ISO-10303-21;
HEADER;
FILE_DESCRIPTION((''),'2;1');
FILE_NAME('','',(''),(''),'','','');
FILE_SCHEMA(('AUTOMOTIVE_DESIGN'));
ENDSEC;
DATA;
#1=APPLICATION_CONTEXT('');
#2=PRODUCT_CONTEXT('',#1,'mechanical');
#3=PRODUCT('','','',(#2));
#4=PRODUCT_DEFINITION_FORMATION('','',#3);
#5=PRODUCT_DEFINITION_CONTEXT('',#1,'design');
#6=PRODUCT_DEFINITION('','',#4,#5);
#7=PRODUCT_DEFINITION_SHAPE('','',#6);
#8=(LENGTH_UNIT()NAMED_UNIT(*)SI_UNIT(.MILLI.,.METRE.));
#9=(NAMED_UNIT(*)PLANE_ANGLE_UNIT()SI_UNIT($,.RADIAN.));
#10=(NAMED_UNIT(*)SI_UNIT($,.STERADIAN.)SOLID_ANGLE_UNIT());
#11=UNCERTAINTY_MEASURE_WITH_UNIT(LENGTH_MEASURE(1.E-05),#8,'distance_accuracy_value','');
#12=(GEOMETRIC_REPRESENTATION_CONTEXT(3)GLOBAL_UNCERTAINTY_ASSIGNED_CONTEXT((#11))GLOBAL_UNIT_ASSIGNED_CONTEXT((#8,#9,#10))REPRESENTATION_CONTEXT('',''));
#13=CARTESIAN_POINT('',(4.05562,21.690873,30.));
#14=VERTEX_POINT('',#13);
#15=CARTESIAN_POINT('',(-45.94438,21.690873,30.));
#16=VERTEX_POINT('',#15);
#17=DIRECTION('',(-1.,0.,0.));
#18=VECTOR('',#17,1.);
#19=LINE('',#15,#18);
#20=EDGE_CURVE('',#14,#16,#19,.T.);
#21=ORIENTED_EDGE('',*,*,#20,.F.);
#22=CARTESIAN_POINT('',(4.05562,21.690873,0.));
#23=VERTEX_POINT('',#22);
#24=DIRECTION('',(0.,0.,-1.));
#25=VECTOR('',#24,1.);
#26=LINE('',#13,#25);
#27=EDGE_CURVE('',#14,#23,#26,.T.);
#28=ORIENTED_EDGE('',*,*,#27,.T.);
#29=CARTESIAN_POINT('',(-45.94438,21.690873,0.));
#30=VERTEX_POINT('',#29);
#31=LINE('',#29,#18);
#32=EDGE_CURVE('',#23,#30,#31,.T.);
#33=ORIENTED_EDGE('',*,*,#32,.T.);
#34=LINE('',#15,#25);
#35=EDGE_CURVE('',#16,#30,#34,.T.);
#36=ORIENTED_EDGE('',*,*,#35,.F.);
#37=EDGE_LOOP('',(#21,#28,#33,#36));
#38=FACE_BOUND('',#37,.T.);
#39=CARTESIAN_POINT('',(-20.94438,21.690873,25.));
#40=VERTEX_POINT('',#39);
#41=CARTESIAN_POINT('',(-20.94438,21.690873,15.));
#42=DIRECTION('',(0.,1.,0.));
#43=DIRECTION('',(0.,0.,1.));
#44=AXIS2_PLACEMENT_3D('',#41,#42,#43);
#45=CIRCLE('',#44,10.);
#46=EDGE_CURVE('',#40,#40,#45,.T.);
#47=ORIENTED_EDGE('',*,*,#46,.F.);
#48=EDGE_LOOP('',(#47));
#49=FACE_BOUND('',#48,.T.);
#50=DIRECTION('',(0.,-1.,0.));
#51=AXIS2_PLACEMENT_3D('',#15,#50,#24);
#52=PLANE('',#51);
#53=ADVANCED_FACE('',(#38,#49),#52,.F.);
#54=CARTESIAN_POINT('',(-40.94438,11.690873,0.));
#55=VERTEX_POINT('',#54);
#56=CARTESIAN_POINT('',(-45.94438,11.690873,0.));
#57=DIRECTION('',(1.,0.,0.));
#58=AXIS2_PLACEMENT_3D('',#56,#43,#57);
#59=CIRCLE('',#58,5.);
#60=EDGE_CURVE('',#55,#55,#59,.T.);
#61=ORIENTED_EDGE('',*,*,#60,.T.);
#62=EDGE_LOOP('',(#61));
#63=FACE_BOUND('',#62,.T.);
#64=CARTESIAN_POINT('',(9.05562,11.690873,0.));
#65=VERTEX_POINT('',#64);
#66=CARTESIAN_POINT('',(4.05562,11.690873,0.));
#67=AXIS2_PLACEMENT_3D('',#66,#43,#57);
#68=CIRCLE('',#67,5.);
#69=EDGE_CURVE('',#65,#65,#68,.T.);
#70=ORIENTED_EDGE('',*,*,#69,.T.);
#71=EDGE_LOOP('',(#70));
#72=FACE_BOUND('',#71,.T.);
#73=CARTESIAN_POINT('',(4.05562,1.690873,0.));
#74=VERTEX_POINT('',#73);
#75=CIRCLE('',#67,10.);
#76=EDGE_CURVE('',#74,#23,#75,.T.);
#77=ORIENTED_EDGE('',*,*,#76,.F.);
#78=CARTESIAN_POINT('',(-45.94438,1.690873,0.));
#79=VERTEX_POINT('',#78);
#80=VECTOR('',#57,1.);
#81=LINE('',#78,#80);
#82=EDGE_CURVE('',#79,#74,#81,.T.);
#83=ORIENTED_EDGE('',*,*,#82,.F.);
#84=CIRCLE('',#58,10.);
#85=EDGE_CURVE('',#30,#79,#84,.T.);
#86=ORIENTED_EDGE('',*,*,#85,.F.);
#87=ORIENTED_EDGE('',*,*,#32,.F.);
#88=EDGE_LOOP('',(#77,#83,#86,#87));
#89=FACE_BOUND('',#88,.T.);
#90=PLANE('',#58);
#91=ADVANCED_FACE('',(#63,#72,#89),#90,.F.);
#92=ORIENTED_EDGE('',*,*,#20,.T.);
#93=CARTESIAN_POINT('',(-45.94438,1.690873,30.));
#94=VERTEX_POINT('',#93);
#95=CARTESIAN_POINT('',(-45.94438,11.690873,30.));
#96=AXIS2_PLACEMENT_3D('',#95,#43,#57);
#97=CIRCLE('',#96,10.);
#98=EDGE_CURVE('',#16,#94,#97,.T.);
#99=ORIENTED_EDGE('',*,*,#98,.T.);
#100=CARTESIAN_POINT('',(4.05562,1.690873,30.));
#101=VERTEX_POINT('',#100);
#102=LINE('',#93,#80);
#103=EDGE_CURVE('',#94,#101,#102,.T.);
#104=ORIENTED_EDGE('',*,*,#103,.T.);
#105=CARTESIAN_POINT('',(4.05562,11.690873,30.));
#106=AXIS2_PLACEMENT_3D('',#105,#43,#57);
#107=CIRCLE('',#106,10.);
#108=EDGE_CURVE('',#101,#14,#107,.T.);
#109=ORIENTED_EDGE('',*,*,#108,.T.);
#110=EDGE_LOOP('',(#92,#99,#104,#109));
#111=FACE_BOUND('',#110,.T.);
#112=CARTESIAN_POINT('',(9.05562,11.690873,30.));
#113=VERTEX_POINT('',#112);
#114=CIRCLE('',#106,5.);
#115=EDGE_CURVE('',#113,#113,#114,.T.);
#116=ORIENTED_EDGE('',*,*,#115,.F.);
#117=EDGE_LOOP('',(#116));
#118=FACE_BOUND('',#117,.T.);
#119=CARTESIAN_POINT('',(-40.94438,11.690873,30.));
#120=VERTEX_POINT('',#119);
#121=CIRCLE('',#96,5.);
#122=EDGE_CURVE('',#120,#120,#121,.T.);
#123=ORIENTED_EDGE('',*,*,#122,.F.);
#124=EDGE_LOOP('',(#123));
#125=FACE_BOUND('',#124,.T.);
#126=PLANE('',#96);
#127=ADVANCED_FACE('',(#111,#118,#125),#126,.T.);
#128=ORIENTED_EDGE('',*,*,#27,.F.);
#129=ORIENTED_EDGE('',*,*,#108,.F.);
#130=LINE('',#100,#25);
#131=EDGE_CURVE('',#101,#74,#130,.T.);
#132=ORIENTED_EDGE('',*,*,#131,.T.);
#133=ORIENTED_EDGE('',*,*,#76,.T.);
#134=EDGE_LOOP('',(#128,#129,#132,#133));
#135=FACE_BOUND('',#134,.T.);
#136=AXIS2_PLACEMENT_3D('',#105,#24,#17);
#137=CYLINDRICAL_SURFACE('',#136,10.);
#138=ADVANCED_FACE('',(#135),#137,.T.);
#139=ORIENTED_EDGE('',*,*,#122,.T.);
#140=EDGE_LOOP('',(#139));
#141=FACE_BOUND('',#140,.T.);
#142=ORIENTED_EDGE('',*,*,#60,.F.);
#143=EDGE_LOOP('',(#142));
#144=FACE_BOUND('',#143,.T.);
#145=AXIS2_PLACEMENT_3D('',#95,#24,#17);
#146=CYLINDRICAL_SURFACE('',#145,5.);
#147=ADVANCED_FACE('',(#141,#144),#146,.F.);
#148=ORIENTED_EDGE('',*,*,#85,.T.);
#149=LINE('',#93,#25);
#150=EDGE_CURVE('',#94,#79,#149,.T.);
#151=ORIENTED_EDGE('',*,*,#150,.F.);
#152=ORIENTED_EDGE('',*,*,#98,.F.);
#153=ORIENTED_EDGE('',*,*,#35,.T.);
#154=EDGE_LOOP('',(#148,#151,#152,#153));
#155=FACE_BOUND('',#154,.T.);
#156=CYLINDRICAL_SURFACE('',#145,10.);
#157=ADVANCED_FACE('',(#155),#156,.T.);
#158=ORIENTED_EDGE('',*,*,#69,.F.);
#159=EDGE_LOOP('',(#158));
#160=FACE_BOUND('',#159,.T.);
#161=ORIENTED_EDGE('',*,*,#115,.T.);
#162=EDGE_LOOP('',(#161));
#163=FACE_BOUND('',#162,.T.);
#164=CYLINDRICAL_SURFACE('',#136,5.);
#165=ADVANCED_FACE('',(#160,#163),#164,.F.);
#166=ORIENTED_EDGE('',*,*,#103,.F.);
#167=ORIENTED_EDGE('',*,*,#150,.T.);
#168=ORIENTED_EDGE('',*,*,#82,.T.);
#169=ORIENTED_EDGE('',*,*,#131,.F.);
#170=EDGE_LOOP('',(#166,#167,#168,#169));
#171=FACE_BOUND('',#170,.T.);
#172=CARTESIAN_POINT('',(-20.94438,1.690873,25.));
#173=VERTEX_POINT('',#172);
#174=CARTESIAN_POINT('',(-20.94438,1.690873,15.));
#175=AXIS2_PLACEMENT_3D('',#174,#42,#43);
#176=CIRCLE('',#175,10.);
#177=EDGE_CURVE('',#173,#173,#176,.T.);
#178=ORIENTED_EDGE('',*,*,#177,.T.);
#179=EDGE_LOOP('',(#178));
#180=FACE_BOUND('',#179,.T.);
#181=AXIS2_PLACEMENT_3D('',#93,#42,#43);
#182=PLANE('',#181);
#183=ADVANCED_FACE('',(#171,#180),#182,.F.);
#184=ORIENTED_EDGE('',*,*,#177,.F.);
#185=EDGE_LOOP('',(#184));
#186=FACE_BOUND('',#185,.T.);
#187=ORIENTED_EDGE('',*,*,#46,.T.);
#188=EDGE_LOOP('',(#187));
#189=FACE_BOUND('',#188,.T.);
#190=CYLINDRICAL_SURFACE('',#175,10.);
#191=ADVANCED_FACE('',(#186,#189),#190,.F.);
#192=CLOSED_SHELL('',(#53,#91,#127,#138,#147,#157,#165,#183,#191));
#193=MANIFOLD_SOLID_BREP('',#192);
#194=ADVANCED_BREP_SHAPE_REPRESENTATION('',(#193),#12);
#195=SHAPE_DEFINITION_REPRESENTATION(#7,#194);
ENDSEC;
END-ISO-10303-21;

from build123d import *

# Parameters (mm, degrees)
IZIM2_R                     = 5
Y_KSEKLIK_EKSTR_ZYON2_DEPTH = 30
IZIM3_R                     = 10
KES_EKSTR_ZYON1_DEPTH       = 20


with BuildPart() as part:
    # Çizim2 → Yükseklik-Ekstrüzyon2 (new body)
    with BuildSketch(Plane.XY):
        with BuildLine():
            Line((-45.944380081, 21.690872668), (4.055619919, 21.690872668))
            ThreePointArc((4.055619919, 21.690872668), (14.055619919, 11.690872668), (4.055619919, 1.690872668))
            Line((4.055619919, 1.690872668), (-45.944380081, 1.690872668))
            ThreePointArc((-45.944380081, 1.690872668), (-55.944380081, 11.690872668), (-45.944380081, 21.690872668))
        make_face()
        with Locations((-45.944380081, 11.690872668)):
            Circle(IZIM2_R, mode=Mode.SUBTRACT)
        with Locations((4.055619919, 11.690872668)):
            Circle(IZIM2_R, mode=Mode.SUBTRACT)
    extrude(amount=Y_KSEKLIK_EKSTR_ZYON2_DEPTH)

    # Çizim3 → Kes-Ekstrüzyon1 (cut)
    with BuildSketch(Plane(origin=(0, 21.690872668, 0), x_dir=(1, 0, 0), z_dir=(0, 1, 0))):
        with Locations(Location((-20.944380081, -15, 0), (0, 0, 270))):
            Circle(IZIM3_R)
    extrude(amount=-KES_EKSTR_ZYON1_DEPTH, mode=Mode.SUBTRACT)


solid = part.part
